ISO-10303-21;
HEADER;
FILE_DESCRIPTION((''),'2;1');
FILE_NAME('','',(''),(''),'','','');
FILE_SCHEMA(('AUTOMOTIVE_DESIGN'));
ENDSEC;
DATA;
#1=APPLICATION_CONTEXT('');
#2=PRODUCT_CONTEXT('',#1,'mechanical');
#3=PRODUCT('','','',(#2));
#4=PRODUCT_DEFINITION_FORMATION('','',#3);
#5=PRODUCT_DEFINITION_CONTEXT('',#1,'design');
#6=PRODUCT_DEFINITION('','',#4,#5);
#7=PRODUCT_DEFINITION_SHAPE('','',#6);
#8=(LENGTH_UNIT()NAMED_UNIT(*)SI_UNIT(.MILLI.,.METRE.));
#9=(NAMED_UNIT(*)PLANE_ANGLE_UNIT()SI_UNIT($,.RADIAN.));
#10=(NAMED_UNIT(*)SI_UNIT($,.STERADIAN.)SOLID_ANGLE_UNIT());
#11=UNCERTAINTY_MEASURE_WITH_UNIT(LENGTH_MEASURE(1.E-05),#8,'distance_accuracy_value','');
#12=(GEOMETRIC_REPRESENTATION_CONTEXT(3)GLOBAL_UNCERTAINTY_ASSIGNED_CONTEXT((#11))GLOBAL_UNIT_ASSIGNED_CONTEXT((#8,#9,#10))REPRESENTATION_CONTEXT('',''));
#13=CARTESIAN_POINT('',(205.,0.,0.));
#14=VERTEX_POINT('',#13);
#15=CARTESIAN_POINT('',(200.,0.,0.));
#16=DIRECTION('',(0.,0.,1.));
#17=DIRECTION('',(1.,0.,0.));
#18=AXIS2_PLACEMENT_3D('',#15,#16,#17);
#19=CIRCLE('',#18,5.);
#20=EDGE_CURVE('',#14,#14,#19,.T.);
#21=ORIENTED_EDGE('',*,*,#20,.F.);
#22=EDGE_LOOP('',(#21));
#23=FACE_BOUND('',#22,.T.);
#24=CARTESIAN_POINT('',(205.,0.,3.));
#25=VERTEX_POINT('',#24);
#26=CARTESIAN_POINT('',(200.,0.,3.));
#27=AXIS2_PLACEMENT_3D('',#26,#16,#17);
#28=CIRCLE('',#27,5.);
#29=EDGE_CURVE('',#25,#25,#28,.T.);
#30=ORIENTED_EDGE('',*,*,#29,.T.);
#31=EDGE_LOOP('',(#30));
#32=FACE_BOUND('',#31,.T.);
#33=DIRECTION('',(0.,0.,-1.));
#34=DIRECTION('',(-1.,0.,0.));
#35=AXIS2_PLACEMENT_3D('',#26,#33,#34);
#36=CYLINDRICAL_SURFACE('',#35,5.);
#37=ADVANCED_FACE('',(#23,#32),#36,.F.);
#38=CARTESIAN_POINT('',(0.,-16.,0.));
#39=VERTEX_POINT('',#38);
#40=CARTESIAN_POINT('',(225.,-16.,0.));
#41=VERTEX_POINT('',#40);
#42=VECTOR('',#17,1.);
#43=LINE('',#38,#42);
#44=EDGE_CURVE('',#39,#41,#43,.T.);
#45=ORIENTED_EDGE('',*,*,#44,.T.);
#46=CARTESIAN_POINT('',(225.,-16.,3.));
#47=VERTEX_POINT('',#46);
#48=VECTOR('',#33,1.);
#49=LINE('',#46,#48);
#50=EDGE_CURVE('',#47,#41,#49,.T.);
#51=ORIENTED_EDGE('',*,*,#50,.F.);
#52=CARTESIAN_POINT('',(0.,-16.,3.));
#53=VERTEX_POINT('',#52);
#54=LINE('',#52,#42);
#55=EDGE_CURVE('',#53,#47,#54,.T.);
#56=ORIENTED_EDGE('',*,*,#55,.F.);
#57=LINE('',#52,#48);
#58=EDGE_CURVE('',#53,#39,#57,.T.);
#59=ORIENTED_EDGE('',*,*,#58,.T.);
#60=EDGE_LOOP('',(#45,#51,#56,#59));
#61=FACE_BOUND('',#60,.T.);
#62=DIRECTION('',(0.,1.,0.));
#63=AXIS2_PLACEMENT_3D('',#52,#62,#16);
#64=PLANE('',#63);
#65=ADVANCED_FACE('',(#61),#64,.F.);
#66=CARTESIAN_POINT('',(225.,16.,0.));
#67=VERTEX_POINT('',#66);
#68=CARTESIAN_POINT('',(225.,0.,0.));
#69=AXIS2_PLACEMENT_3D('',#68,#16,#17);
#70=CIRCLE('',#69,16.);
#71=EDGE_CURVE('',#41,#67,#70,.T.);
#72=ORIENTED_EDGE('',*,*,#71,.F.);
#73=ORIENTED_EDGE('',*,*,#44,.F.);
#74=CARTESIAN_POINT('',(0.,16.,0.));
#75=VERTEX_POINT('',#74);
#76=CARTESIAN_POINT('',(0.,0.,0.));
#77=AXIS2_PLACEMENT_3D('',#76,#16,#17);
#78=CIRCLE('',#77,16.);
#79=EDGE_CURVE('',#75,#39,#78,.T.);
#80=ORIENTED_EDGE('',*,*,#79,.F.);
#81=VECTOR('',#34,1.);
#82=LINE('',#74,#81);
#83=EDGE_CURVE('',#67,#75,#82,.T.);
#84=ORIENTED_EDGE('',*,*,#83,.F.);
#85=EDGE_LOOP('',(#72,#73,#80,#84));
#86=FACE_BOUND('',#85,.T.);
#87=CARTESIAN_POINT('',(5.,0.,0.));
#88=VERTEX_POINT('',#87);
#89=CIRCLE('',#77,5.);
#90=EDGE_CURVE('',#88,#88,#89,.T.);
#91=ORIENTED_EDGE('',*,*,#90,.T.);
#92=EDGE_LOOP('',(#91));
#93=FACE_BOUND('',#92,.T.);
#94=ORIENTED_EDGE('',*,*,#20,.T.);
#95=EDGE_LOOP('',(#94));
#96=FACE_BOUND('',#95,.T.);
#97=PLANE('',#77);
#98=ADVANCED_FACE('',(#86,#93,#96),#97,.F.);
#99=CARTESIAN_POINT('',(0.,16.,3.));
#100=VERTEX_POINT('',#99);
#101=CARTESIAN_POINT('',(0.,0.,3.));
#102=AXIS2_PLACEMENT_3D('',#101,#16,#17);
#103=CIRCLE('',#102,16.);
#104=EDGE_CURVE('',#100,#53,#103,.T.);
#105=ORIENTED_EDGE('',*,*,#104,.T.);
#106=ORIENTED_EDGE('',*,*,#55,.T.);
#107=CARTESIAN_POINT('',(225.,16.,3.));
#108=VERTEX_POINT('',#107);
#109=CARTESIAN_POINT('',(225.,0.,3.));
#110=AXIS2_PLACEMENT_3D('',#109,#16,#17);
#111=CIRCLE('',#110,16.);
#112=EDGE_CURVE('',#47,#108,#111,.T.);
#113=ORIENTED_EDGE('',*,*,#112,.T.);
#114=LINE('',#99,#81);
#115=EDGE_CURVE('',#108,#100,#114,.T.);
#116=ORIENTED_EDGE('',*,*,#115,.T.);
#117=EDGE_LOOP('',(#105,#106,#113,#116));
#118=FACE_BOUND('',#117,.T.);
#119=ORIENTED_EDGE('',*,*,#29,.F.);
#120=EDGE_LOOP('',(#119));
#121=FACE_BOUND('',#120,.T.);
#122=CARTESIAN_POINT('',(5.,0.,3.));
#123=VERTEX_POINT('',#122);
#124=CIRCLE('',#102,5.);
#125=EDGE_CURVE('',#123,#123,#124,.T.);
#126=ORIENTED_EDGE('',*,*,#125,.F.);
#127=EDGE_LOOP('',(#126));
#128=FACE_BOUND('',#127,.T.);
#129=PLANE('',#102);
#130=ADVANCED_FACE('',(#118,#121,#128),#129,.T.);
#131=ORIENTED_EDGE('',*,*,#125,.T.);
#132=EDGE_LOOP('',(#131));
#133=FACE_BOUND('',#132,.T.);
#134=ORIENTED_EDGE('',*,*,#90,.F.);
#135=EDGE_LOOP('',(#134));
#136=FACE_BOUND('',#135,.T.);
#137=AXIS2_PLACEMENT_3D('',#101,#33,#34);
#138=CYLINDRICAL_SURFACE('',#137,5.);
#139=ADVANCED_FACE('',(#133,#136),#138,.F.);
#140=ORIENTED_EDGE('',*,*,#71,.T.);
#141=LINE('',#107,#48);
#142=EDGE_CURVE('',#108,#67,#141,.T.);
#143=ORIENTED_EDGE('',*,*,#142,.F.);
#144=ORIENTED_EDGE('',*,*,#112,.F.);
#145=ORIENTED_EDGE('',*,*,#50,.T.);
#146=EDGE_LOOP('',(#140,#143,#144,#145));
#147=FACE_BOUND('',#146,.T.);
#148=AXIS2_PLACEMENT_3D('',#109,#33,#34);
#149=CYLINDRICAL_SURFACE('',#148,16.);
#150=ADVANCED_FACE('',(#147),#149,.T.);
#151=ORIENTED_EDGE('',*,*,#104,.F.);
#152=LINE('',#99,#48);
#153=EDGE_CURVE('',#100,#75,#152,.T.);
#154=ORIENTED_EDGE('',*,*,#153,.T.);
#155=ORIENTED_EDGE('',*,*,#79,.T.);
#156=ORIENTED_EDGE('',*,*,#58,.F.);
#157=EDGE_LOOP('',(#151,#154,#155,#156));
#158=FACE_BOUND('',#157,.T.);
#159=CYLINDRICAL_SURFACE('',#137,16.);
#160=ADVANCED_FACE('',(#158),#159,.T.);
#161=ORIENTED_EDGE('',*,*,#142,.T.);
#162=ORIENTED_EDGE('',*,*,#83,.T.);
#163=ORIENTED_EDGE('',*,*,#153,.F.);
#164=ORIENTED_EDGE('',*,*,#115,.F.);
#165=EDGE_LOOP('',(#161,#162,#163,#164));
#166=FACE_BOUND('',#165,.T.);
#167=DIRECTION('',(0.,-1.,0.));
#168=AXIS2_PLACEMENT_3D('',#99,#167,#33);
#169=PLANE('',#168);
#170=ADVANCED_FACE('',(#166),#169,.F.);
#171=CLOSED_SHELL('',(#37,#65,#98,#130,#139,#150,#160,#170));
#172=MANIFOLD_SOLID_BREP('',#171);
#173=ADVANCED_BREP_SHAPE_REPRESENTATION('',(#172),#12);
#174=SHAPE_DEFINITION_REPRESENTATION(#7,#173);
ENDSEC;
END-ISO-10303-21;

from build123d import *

# Parameters (mm, degrees)
SKETCH_1_R      = 5
EXTRUDE_1_DEPTH = 3


with BuildPart() as part:
    # 草图1 → 凸台-拉伸1 (new body)
    with BuildSketch(Plane.XY):
        with BuildLine():
            Line((0, 16), (225, 16))
            ThreePointArc((225, 16), (241, 0), (225, -16))
            Line((225, -16), (0, -16))
            ThreePointArc((0, -16), (-16, 0), (0, 16))
        make_face()
        Circle(SKETCH_1_R, mode=Mode.SUBTRACT)
        with Locations((200, 0)):
            Circle(SKETCH_1_R, mode=Mode.SUBTRACT)
    extrude(amount=EXTRUDE_1_DEPTH)


solid = part.part
